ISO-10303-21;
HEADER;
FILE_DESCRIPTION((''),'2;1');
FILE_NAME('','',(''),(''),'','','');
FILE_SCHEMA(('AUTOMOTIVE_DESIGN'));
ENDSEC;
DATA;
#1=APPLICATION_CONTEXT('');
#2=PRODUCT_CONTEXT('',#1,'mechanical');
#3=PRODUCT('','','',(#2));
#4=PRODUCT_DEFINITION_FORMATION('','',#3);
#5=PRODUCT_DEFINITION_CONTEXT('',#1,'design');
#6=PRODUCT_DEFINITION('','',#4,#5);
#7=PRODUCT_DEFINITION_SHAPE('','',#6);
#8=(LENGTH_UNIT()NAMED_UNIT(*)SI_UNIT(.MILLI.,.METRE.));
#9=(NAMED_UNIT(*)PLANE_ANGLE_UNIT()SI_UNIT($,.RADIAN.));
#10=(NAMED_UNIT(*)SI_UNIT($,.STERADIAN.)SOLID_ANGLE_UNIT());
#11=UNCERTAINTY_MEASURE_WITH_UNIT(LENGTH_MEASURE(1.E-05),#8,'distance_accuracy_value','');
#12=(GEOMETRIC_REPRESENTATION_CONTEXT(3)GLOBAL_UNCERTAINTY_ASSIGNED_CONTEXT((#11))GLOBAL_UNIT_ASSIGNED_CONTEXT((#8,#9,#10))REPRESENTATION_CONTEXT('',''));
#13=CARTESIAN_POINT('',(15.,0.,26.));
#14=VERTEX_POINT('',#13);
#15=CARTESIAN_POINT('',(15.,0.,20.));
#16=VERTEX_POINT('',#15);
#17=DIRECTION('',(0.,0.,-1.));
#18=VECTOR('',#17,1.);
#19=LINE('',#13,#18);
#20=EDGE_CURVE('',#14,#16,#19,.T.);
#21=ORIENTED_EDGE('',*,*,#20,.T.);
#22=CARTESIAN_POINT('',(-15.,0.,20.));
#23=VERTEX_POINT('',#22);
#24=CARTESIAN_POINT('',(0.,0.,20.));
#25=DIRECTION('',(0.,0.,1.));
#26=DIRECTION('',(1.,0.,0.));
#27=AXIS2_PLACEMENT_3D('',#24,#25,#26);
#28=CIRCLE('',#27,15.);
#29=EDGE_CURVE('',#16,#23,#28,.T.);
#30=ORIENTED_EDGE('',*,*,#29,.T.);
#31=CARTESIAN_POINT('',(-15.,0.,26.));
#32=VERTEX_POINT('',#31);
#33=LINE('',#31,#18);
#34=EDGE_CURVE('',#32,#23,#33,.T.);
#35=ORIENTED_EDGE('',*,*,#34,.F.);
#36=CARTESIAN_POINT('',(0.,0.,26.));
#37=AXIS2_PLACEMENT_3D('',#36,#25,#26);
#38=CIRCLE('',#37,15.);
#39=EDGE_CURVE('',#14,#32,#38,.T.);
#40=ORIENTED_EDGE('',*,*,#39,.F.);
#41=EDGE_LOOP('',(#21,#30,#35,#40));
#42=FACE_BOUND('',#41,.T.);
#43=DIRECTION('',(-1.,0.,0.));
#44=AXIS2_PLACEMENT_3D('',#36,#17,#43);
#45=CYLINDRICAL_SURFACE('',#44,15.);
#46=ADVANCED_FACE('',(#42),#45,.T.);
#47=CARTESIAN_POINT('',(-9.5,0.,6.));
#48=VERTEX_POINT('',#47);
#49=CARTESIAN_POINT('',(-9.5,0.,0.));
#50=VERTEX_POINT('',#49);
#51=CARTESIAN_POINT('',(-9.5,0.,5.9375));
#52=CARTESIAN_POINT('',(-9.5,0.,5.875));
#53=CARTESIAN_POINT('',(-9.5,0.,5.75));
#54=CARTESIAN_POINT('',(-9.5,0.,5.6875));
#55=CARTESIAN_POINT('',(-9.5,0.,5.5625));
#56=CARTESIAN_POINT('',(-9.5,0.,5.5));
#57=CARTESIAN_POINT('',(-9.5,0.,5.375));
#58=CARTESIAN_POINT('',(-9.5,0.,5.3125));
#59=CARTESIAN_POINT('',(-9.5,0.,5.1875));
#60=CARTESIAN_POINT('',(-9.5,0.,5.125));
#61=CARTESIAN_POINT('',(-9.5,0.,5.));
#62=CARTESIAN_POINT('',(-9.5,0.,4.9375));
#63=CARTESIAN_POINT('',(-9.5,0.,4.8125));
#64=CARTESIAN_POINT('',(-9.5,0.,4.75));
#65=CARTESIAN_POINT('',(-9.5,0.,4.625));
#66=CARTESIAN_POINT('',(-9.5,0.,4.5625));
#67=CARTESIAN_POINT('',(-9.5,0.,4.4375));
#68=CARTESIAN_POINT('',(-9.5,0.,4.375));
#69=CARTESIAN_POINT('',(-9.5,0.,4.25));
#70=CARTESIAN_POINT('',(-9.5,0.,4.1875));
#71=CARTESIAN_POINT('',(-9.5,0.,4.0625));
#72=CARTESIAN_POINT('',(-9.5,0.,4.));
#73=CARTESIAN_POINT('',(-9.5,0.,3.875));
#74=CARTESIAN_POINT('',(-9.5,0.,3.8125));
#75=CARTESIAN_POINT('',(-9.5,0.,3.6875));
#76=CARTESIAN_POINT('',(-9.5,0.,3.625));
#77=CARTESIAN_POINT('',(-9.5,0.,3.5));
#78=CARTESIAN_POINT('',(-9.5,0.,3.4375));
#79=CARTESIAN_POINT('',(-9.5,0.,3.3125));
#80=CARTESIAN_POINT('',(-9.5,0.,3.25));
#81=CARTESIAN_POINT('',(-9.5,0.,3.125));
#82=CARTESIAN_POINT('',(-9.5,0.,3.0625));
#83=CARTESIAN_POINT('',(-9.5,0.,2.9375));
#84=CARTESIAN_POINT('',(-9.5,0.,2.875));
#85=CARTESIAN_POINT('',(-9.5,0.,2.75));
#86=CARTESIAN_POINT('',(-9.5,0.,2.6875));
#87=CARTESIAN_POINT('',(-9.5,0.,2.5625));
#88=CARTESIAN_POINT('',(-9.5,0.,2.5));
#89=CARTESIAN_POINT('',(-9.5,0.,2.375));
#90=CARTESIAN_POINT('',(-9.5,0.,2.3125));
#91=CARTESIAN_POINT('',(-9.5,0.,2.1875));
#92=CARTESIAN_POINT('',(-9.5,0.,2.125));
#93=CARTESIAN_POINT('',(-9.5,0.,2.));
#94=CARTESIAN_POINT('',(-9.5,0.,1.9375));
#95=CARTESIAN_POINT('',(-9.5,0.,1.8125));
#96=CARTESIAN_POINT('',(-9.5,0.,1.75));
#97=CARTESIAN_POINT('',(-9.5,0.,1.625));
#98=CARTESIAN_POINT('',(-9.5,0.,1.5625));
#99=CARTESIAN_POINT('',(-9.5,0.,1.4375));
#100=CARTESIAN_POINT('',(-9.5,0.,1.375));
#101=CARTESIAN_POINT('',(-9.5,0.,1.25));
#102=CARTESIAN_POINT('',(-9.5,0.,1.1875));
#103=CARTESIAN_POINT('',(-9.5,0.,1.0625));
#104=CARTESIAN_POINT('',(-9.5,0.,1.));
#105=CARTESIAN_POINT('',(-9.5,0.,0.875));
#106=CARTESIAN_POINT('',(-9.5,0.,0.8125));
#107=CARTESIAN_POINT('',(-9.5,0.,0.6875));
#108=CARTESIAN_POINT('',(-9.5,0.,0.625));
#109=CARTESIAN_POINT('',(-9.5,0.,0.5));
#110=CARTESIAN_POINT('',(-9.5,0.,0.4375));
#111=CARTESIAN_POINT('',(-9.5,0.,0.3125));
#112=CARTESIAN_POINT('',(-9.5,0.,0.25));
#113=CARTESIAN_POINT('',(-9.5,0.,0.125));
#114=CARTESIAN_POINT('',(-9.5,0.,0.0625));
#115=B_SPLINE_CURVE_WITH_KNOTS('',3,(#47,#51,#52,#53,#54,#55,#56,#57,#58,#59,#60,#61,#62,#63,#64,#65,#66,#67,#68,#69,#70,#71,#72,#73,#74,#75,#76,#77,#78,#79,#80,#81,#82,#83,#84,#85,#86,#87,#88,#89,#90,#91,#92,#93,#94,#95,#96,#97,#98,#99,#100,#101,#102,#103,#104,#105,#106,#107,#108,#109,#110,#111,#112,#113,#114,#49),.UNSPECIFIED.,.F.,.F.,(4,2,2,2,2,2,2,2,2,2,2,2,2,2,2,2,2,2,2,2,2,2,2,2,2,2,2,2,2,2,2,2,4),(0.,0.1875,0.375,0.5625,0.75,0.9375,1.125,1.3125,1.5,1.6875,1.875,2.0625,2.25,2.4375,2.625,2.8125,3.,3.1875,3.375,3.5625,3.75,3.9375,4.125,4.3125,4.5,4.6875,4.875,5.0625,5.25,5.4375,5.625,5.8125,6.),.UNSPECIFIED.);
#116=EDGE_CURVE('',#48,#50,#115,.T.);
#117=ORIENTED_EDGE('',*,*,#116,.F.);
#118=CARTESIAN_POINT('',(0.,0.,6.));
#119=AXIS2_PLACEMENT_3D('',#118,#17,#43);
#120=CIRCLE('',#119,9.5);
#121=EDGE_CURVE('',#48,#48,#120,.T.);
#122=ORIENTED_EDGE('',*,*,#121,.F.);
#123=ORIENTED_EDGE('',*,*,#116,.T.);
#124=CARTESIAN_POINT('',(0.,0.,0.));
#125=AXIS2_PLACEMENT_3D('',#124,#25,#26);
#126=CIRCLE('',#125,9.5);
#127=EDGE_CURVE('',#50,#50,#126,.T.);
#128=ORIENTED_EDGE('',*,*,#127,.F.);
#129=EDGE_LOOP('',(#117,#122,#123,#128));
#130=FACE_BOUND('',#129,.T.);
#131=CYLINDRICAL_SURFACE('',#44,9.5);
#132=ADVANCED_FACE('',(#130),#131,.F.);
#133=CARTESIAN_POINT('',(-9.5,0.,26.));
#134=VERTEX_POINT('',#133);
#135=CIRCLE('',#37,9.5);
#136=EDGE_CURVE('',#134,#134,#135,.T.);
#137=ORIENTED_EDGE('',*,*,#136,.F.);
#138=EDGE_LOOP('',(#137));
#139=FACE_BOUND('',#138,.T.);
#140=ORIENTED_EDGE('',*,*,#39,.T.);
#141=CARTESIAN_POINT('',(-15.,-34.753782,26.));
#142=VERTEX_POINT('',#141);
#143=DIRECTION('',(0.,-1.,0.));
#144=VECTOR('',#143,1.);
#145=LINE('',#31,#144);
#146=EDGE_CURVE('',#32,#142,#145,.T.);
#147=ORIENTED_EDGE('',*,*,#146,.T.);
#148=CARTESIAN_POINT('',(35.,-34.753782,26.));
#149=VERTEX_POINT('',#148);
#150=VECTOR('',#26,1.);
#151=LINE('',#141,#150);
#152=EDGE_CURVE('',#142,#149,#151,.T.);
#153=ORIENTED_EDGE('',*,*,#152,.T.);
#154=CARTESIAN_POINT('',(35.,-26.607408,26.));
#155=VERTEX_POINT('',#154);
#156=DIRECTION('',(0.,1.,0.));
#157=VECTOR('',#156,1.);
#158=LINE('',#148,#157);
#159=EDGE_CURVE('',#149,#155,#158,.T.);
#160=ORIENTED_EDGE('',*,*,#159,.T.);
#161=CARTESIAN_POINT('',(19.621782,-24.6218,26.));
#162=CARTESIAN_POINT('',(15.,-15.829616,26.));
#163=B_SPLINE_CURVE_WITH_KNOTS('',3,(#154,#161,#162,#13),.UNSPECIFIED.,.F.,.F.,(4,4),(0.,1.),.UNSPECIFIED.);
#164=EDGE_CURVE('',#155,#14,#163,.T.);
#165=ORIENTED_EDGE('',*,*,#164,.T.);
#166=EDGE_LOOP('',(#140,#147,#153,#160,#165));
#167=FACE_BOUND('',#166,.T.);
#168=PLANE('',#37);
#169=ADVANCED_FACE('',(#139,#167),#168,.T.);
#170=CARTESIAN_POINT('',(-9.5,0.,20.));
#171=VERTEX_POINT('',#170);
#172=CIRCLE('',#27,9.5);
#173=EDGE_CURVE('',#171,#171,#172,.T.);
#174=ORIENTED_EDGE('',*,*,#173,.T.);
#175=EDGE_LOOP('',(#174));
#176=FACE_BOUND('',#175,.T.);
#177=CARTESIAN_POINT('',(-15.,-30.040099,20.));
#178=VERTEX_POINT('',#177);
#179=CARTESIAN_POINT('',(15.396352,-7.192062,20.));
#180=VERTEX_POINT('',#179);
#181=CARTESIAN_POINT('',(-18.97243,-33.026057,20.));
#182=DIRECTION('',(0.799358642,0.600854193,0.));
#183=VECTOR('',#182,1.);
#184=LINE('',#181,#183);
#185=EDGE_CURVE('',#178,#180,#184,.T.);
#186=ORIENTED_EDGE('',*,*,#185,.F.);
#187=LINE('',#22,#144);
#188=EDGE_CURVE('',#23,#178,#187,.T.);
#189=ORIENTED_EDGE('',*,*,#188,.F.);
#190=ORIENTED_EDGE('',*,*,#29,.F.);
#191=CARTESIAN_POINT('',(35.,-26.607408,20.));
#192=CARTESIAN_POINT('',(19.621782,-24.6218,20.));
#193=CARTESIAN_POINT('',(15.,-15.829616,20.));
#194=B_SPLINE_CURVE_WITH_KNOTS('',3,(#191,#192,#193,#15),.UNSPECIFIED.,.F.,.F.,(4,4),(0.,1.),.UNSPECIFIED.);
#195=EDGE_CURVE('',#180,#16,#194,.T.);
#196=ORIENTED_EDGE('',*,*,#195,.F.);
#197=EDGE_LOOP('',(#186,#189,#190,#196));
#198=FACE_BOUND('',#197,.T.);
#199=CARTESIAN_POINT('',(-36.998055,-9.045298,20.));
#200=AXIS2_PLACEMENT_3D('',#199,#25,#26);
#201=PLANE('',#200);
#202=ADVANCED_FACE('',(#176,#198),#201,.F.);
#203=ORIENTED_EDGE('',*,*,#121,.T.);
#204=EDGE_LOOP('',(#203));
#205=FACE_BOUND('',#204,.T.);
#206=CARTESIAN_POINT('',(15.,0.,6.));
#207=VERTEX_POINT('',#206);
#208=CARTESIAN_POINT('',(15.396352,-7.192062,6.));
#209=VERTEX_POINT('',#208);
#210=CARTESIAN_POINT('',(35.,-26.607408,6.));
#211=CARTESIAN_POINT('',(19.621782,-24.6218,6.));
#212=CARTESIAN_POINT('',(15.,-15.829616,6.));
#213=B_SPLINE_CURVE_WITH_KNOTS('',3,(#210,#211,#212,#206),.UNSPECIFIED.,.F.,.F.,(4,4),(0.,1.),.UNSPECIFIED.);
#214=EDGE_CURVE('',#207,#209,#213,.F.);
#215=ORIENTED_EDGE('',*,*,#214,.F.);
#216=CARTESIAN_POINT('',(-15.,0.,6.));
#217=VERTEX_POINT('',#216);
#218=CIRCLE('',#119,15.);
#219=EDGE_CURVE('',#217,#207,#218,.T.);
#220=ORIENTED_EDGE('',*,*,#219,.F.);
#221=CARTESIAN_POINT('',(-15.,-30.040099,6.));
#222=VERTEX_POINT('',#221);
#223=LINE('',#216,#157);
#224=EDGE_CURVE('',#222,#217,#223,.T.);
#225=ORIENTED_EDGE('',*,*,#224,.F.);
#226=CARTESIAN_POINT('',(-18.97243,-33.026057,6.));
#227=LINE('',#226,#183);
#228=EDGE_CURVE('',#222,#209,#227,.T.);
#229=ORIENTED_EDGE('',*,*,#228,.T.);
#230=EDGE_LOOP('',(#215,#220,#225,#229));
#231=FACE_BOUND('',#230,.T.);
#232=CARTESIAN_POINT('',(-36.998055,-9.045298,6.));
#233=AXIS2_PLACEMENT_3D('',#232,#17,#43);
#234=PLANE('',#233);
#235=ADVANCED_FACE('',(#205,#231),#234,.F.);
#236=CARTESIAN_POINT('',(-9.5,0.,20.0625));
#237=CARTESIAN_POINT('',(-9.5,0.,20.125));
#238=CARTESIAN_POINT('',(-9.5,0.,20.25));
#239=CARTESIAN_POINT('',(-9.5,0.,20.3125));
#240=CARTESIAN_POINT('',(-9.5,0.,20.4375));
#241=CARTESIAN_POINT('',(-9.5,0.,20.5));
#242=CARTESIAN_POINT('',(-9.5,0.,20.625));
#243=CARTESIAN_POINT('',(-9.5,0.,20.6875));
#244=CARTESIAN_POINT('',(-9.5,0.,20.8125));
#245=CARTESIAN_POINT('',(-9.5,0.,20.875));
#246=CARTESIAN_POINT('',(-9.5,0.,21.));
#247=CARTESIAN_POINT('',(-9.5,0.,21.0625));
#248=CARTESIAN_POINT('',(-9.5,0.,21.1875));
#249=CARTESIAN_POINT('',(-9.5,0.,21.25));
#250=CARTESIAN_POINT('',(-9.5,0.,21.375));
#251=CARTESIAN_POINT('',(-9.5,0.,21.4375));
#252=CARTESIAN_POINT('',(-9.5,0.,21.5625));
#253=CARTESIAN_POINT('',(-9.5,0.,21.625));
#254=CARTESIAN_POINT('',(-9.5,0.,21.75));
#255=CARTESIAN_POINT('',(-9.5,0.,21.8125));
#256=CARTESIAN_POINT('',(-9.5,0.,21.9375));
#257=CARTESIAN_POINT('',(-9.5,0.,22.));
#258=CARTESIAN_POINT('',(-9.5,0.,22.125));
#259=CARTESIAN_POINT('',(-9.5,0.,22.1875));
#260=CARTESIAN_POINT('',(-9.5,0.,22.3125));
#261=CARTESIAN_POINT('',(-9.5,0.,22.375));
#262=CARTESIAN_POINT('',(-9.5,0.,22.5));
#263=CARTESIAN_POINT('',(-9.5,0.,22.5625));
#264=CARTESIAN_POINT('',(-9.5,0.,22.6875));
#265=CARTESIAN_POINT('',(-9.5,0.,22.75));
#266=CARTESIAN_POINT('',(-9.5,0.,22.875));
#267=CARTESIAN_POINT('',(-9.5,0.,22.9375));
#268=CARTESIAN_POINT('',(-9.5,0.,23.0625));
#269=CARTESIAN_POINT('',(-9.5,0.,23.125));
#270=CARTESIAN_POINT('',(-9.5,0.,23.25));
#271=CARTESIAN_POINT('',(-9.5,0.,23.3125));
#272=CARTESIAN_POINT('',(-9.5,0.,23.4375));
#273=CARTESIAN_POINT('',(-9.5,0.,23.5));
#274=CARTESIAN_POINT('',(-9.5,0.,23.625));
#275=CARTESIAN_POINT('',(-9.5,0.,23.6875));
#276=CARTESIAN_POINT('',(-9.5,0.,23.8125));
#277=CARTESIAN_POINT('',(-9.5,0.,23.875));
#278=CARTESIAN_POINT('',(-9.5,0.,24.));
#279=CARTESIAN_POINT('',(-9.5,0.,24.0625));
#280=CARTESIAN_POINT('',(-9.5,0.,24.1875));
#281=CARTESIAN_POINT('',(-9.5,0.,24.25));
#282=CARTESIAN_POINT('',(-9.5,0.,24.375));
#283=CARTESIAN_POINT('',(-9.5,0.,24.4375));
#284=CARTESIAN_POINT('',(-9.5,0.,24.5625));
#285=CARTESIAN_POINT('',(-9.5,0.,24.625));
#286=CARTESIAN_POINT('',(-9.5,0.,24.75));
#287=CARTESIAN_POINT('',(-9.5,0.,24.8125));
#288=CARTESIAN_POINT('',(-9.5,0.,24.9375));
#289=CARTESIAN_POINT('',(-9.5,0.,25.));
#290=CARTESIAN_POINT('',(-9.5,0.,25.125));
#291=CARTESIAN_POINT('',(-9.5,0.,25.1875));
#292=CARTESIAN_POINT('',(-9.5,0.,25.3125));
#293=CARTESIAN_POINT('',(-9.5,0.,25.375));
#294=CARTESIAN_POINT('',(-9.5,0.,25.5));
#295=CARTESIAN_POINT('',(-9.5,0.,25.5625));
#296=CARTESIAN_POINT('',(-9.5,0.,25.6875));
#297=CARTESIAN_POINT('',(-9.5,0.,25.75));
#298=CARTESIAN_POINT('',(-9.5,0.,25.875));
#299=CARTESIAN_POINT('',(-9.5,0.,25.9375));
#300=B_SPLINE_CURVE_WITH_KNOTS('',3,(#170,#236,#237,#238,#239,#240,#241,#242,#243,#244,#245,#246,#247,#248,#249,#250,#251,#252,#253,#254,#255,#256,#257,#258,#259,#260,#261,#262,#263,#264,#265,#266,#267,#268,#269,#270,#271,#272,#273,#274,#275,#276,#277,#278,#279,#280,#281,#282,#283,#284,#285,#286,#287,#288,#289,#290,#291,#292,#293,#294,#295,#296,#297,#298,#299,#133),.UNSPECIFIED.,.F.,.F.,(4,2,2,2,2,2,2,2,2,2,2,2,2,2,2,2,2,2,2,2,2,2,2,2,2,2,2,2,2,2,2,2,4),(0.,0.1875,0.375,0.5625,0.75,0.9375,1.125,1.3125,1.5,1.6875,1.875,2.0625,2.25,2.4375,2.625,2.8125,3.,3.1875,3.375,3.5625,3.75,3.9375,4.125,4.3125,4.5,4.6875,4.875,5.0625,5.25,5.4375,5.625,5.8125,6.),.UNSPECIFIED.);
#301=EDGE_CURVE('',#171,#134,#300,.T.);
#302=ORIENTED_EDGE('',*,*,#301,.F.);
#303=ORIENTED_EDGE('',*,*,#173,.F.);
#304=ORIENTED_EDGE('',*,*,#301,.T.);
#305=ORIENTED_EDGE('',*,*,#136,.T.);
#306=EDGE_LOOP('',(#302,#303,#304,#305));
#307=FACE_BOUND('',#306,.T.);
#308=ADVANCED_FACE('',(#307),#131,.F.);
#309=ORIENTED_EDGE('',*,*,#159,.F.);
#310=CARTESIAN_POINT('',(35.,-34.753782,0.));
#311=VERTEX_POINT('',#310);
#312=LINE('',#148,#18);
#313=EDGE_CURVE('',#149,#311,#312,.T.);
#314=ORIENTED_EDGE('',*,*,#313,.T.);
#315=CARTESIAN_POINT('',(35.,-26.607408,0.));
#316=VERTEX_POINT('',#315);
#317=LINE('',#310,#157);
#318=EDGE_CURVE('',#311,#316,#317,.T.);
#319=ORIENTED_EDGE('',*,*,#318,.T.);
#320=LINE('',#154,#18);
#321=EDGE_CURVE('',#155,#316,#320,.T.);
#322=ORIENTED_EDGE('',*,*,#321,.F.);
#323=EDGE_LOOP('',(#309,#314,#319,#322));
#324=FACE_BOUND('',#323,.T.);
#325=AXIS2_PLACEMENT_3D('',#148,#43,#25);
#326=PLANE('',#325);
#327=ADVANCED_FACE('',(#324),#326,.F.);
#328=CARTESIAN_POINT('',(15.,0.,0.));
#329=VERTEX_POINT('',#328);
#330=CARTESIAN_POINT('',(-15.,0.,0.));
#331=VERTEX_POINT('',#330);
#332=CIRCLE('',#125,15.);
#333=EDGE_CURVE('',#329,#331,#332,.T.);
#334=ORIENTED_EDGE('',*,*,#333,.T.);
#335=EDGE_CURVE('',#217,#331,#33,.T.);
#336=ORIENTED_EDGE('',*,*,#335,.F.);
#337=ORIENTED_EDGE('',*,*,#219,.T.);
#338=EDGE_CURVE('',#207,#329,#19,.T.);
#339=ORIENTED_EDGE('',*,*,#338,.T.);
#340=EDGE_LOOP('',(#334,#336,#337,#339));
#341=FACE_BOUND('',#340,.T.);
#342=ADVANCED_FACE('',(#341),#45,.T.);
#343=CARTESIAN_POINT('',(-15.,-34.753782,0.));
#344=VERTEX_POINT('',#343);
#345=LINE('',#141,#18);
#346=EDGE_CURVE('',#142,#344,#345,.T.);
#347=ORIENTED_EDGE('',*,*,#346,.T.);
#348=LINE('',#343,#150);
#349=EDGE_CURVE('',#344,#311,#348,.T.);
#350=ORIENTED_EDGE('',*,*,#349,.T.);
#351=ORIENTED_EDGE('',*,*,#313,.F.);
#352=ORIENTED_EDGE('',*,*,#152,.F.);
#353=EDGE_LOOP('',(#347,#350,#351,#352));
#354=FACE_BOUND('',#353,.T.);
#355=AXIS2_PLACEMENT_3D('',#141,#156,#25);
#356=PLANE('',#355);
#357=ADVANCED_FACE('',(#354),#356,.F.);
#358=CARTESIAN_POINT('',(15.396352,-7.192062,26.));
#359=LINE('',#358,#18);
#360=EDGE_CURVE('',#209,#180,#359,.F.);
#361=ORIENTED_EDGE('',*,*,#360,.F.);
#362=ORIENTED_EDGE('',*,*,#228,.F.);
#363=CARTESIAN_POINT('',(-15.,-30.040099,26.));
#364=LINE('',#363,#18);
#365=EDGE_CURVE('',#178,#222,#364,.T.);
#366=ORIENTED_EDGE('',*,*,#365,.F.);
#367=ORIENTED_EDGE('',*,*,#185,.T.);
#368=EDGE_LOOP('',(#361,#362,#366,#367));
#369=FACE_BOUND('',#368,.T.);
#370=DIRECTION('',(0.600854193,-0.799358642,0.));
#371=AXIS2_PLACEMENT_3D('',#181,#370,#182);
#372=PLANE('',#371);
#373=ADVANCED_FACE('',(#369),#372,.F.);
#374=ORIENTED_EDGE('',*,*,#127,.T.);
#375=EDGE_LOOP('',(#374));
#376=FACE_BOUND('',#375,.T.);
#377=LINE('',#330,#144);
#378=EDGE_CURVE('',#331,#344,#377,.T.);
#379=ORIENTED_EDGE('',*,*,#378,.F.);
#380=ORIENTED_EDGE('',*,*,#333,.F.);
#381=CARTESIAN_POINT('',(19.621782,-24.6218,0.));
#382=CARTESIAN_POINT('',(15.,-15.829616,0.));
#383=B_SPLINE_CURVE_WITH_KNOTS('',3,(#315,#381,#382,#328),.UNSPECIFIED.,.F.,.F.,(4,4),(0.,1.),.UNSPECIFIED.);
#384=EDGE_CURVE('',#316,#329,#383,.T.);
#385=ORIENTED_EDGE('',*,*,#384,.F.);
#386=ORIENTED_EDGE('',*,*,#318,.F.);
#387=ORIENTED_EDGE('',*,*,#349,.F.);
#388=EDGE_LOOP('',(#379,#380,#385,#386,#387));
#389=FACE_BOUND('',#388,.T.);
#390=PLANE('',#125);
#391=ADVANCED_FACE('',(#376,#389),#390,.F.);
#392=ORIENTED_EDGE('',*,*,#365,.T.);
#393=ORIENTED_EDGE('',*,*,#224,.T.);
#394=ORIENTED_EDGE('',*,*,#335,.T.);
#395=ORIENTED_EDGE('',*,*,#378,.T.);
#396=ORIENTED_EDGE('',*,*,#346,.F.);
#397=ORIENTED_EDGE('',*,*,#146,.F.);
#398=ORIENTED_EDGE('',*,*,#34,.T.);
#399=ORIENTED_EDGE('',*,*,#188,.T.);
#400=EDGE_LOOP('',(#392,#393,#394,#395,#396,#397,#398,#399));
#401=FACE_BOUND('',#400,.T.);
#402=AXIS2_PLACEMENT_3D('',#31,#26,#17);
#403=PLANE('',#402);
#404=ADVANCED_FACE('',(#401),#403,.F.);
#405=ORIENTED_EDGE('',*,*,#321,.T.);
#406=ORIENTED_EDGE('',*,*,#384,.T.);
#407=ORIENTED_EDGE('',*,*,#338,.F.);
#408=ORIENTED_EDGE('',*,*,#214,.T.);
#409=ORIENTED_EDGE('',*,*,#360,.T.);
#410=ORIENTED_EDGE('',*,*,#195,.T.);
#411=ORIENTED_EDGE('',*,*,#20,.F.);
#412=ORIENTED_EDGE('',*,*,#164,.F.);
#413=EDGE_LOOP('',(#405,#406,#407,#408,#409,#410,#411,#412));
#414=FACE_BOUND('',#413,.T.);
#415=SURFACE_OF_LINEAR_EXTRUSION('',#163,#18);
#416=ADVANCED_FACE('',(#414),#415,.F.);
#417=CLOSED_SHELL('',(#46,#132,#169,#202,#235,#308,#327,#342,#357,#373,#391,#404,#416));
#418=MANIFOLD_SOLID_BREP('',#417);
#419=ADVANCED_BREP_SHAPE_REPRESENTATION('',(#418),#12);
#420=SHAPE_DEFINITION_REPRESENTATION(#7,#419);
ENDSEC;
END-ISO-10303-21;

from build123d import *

# Parameters (mm, degrees)
SKETCH1_R           = 9.5
BOSS_EXTRUDE1_DEPTH = 26
SKETCH5_W           = 14
SKETCH5_H           = 30
CUT_EXTRUDE2_DEPTH  = 57


with BuildPart() as part:
    # Sketch1 → Boss-Extrude1 (new body)
    with BuildSketch(Plane.XY):
        with BuildLine():
            Line((-15, 0), (-15, -34.753782032))
            Line((-15, -34.753782032), (35, -34.753782032))
            Line((35, -34.753782032), (35, -26.607408272))
            add(Edge.make_bspline(
                [(35, -26.607408272), (19.62178197, -24.621800081), (15, -15.829616288), (15, 0)],
                knots=[0, 0, 0, 0, 1, 1, 1, 1], degree=3))
            ThreePointArc((15, 0), (0, 15), (-15, 0))
        make_face()
        with Locations(Location((0, 0, 0), (0, 0, 180))):
            Circle(SKETCH1_R, mode=Mode.SUBTRACT)
    extrude(amount=BOSS_EXTRUDE1_DEPTH)

    # Sketch5 → Cut-Extrude2 (cut)
    with BuildSketch(Plane(origin=(17.578199992, 13.213011814, 0), x_dir=(0, 0, -1), z_dir=(0.7993586418199494, 0.6008541934178091, -6.982962677686267e-15))):
        with Locations((-13, 0)):
            Rectangle(SKETCH5_W, SKETCH5_H)
    extrude(amount=-CUT_EXTRUDE2_DEPTH, mode=Mode.SUBTRACT)


solid = part.part
